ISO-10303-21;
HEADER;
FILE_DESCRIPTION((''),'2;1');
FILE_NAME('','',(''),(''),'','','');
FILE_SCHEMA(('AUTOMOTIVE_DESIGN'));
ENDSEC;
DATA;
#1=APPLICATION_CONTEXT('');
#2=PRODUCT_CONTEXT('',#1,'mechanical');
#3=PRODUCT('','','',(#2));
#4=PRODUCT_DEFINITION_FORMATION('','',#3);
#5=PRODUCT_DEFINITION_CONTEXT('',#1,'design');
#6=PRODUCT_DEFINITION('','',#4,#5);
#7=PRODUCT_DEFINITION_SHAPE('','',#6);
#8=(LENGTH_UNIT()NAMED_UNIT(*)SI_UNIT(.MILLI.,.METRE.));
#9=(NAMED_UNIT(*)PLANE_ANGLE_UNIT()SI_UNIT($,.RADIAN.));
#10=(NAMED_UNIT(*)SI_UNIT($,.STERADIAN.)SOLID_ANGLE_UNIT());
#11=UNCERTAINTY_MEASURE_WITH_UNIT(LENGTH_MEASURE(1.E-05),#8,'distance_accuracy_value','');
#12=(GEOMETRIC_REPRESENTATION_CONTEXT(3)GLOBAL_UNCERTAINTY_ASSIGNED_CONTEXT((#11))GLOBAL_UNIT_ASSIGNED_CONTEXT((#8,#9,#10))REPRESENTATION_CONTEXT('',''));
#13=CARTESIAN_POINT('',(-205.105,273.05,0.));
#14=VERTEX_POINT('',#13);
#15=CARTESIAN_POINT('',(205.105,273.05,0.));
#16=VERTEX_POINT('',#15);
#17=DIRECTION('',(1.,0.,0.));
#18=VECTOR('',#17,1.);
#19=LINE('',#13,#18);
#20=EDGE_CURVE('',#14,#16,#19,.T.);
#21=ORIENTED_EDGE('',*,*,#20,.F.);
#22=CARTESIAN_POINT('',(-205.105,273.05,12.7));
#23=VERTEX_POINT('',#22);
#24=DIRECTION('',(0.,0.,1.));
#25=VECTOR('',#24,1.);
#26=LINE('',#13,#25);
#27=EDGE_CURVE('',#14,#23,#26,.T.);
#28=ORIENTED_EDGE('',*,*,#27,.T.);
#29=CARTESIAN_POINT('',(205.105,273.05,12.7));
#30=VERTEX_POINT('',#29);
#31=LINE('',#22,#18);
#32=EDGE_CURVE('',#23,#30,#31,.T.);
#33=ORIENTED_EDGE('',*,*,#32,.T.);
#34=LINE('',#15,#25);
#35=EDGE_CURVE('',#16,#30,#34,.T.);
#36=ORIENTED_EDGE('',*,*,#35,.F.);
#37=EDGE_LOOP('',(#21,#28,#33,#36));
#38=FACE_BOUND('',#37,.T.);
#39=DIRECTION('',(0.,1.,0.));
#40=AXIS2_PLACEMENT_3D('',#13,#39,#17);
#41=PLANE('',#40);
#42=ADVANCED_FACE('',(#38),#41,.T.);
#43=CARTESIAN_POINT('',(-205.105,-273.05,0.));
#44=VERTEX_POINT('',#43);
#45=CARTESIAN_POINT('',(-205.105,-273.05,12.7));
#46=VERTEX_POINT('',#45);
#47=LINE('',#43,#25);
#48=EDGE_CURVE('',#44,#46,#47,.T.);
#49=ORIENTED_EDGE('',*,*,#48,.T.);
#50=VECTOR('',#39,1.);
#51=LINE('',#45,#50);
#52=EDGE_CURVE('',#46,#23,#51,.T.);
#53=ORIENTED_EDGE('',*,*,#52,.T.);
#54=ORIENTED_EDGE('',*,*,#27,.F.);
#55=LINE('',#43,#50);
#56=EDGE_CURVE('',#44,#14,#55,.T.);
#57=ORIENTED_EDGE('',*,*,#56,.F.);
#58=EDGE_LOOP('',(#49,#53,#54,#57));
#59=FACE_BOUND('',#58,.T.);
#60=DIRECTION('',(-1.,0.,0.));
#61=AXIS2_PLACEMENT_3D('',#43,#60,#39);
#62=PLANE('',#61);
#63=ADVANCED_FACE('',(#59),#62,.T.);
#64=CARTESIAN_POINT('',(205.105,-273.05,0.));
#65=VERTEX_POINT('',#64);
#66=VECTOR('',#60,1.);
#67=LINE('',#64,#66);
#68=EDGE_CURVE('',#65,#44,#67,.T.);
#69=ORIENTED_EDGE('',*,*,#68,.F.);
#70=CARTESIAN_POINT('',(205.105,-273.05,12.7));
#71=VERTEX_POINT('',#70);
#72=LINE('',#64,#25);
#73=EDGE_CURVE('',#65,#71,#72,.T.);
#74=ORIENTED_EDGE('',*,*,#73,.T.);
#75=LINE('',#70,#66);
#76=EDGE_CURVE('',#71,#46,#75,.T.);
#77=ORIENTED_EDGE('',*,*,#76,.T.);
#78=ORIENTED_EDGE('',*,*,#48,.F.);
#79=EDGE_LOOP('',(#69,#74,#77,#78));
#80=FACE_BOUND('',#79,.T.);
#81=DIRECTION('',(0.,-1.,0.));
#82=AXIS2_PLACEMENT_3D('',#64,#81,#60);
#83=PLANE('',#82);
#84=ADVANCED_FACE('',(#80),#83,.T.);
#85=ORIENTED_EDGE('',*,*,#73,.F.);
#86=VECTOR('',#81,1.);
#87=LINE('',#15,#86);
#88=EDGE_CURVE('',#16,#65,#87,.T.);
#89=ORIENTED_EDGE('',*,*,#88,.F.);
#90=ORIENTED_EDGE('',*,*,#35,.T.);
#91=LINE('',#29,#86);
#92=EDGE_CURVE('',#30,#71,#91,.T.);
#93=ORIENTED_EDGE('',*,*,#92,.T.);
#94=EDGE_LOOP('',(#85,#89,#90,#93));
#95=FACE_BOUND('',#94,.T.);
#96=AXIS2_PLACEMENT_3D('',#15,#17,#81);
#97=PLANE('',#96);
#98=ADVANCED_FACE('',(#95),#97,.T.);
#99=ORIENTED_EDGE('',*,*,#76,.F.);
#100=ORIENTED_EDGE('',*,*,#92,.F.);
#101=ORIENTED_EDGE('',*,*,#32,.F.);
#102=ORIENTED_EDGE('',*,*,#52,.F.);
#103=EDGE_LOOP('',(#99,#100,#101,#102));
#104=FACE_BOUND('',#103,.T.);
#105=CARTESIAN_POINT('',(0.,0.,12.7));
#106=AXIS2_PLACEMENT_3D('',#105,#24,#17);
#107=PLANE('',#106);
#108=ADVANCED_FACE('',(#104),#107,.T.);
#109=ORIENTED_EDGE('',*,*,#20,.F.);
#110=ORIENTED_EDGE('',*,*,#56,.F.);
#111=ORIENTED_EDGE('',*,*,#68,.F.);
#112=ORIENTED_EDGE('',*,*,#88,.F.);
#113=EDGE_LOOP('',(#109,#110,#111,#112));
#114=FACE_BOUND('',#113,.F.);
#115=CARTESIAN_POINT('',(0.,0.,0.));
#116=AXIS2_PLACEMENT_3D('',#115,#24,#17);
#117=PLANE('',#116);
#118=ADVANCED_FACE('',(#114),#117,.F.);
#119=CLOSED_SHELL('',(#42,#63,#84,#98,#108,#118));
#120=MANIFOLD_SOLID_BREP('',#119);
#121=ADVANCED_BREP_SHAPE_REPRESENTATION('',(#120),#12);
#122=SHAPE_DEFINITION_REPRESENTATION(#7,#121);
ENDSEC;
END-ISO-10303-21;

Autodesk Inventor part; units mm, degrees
ref_plane "YZ Plane" through (0, 0, 0) normal (1, 0, 0) x (0, 1, 0)
ref_plane "XZ Plane" through (0, 0, 0) normal (0, 1, 0) x (-1, 0, 0)
ref_plane "XY Plane" through (0, 0, 0) normal (0, 0, 1) x (1, 0, 0)
sketch "Sketch1" plane through (0, 0, 0) normal (0, 0, 1) x (1, 0, 0)
  line L0 (-205.105, 273.05) -> (205.105, 273.05)
  line L1 (205.105, 273.05) -> (205.105, -273.05)
  line L2 (205.105, -273.05) -> (-205.105, -273.05)
  line L3 (-205.105, -273.05) -> (-205.105, 273.05)
  point P0 (0, 0)
  point P1 (-205.105, 0)
  point P2 (0, 273.05)
  dimension "d0" = 410.21
  dimension "d2" = 546.1
extrude "Extrusion1" add sketch "Sketch1" along normal blind 12.7
properties part number "BellyPan for Drive in a Day" material "Wood (Birch)"
